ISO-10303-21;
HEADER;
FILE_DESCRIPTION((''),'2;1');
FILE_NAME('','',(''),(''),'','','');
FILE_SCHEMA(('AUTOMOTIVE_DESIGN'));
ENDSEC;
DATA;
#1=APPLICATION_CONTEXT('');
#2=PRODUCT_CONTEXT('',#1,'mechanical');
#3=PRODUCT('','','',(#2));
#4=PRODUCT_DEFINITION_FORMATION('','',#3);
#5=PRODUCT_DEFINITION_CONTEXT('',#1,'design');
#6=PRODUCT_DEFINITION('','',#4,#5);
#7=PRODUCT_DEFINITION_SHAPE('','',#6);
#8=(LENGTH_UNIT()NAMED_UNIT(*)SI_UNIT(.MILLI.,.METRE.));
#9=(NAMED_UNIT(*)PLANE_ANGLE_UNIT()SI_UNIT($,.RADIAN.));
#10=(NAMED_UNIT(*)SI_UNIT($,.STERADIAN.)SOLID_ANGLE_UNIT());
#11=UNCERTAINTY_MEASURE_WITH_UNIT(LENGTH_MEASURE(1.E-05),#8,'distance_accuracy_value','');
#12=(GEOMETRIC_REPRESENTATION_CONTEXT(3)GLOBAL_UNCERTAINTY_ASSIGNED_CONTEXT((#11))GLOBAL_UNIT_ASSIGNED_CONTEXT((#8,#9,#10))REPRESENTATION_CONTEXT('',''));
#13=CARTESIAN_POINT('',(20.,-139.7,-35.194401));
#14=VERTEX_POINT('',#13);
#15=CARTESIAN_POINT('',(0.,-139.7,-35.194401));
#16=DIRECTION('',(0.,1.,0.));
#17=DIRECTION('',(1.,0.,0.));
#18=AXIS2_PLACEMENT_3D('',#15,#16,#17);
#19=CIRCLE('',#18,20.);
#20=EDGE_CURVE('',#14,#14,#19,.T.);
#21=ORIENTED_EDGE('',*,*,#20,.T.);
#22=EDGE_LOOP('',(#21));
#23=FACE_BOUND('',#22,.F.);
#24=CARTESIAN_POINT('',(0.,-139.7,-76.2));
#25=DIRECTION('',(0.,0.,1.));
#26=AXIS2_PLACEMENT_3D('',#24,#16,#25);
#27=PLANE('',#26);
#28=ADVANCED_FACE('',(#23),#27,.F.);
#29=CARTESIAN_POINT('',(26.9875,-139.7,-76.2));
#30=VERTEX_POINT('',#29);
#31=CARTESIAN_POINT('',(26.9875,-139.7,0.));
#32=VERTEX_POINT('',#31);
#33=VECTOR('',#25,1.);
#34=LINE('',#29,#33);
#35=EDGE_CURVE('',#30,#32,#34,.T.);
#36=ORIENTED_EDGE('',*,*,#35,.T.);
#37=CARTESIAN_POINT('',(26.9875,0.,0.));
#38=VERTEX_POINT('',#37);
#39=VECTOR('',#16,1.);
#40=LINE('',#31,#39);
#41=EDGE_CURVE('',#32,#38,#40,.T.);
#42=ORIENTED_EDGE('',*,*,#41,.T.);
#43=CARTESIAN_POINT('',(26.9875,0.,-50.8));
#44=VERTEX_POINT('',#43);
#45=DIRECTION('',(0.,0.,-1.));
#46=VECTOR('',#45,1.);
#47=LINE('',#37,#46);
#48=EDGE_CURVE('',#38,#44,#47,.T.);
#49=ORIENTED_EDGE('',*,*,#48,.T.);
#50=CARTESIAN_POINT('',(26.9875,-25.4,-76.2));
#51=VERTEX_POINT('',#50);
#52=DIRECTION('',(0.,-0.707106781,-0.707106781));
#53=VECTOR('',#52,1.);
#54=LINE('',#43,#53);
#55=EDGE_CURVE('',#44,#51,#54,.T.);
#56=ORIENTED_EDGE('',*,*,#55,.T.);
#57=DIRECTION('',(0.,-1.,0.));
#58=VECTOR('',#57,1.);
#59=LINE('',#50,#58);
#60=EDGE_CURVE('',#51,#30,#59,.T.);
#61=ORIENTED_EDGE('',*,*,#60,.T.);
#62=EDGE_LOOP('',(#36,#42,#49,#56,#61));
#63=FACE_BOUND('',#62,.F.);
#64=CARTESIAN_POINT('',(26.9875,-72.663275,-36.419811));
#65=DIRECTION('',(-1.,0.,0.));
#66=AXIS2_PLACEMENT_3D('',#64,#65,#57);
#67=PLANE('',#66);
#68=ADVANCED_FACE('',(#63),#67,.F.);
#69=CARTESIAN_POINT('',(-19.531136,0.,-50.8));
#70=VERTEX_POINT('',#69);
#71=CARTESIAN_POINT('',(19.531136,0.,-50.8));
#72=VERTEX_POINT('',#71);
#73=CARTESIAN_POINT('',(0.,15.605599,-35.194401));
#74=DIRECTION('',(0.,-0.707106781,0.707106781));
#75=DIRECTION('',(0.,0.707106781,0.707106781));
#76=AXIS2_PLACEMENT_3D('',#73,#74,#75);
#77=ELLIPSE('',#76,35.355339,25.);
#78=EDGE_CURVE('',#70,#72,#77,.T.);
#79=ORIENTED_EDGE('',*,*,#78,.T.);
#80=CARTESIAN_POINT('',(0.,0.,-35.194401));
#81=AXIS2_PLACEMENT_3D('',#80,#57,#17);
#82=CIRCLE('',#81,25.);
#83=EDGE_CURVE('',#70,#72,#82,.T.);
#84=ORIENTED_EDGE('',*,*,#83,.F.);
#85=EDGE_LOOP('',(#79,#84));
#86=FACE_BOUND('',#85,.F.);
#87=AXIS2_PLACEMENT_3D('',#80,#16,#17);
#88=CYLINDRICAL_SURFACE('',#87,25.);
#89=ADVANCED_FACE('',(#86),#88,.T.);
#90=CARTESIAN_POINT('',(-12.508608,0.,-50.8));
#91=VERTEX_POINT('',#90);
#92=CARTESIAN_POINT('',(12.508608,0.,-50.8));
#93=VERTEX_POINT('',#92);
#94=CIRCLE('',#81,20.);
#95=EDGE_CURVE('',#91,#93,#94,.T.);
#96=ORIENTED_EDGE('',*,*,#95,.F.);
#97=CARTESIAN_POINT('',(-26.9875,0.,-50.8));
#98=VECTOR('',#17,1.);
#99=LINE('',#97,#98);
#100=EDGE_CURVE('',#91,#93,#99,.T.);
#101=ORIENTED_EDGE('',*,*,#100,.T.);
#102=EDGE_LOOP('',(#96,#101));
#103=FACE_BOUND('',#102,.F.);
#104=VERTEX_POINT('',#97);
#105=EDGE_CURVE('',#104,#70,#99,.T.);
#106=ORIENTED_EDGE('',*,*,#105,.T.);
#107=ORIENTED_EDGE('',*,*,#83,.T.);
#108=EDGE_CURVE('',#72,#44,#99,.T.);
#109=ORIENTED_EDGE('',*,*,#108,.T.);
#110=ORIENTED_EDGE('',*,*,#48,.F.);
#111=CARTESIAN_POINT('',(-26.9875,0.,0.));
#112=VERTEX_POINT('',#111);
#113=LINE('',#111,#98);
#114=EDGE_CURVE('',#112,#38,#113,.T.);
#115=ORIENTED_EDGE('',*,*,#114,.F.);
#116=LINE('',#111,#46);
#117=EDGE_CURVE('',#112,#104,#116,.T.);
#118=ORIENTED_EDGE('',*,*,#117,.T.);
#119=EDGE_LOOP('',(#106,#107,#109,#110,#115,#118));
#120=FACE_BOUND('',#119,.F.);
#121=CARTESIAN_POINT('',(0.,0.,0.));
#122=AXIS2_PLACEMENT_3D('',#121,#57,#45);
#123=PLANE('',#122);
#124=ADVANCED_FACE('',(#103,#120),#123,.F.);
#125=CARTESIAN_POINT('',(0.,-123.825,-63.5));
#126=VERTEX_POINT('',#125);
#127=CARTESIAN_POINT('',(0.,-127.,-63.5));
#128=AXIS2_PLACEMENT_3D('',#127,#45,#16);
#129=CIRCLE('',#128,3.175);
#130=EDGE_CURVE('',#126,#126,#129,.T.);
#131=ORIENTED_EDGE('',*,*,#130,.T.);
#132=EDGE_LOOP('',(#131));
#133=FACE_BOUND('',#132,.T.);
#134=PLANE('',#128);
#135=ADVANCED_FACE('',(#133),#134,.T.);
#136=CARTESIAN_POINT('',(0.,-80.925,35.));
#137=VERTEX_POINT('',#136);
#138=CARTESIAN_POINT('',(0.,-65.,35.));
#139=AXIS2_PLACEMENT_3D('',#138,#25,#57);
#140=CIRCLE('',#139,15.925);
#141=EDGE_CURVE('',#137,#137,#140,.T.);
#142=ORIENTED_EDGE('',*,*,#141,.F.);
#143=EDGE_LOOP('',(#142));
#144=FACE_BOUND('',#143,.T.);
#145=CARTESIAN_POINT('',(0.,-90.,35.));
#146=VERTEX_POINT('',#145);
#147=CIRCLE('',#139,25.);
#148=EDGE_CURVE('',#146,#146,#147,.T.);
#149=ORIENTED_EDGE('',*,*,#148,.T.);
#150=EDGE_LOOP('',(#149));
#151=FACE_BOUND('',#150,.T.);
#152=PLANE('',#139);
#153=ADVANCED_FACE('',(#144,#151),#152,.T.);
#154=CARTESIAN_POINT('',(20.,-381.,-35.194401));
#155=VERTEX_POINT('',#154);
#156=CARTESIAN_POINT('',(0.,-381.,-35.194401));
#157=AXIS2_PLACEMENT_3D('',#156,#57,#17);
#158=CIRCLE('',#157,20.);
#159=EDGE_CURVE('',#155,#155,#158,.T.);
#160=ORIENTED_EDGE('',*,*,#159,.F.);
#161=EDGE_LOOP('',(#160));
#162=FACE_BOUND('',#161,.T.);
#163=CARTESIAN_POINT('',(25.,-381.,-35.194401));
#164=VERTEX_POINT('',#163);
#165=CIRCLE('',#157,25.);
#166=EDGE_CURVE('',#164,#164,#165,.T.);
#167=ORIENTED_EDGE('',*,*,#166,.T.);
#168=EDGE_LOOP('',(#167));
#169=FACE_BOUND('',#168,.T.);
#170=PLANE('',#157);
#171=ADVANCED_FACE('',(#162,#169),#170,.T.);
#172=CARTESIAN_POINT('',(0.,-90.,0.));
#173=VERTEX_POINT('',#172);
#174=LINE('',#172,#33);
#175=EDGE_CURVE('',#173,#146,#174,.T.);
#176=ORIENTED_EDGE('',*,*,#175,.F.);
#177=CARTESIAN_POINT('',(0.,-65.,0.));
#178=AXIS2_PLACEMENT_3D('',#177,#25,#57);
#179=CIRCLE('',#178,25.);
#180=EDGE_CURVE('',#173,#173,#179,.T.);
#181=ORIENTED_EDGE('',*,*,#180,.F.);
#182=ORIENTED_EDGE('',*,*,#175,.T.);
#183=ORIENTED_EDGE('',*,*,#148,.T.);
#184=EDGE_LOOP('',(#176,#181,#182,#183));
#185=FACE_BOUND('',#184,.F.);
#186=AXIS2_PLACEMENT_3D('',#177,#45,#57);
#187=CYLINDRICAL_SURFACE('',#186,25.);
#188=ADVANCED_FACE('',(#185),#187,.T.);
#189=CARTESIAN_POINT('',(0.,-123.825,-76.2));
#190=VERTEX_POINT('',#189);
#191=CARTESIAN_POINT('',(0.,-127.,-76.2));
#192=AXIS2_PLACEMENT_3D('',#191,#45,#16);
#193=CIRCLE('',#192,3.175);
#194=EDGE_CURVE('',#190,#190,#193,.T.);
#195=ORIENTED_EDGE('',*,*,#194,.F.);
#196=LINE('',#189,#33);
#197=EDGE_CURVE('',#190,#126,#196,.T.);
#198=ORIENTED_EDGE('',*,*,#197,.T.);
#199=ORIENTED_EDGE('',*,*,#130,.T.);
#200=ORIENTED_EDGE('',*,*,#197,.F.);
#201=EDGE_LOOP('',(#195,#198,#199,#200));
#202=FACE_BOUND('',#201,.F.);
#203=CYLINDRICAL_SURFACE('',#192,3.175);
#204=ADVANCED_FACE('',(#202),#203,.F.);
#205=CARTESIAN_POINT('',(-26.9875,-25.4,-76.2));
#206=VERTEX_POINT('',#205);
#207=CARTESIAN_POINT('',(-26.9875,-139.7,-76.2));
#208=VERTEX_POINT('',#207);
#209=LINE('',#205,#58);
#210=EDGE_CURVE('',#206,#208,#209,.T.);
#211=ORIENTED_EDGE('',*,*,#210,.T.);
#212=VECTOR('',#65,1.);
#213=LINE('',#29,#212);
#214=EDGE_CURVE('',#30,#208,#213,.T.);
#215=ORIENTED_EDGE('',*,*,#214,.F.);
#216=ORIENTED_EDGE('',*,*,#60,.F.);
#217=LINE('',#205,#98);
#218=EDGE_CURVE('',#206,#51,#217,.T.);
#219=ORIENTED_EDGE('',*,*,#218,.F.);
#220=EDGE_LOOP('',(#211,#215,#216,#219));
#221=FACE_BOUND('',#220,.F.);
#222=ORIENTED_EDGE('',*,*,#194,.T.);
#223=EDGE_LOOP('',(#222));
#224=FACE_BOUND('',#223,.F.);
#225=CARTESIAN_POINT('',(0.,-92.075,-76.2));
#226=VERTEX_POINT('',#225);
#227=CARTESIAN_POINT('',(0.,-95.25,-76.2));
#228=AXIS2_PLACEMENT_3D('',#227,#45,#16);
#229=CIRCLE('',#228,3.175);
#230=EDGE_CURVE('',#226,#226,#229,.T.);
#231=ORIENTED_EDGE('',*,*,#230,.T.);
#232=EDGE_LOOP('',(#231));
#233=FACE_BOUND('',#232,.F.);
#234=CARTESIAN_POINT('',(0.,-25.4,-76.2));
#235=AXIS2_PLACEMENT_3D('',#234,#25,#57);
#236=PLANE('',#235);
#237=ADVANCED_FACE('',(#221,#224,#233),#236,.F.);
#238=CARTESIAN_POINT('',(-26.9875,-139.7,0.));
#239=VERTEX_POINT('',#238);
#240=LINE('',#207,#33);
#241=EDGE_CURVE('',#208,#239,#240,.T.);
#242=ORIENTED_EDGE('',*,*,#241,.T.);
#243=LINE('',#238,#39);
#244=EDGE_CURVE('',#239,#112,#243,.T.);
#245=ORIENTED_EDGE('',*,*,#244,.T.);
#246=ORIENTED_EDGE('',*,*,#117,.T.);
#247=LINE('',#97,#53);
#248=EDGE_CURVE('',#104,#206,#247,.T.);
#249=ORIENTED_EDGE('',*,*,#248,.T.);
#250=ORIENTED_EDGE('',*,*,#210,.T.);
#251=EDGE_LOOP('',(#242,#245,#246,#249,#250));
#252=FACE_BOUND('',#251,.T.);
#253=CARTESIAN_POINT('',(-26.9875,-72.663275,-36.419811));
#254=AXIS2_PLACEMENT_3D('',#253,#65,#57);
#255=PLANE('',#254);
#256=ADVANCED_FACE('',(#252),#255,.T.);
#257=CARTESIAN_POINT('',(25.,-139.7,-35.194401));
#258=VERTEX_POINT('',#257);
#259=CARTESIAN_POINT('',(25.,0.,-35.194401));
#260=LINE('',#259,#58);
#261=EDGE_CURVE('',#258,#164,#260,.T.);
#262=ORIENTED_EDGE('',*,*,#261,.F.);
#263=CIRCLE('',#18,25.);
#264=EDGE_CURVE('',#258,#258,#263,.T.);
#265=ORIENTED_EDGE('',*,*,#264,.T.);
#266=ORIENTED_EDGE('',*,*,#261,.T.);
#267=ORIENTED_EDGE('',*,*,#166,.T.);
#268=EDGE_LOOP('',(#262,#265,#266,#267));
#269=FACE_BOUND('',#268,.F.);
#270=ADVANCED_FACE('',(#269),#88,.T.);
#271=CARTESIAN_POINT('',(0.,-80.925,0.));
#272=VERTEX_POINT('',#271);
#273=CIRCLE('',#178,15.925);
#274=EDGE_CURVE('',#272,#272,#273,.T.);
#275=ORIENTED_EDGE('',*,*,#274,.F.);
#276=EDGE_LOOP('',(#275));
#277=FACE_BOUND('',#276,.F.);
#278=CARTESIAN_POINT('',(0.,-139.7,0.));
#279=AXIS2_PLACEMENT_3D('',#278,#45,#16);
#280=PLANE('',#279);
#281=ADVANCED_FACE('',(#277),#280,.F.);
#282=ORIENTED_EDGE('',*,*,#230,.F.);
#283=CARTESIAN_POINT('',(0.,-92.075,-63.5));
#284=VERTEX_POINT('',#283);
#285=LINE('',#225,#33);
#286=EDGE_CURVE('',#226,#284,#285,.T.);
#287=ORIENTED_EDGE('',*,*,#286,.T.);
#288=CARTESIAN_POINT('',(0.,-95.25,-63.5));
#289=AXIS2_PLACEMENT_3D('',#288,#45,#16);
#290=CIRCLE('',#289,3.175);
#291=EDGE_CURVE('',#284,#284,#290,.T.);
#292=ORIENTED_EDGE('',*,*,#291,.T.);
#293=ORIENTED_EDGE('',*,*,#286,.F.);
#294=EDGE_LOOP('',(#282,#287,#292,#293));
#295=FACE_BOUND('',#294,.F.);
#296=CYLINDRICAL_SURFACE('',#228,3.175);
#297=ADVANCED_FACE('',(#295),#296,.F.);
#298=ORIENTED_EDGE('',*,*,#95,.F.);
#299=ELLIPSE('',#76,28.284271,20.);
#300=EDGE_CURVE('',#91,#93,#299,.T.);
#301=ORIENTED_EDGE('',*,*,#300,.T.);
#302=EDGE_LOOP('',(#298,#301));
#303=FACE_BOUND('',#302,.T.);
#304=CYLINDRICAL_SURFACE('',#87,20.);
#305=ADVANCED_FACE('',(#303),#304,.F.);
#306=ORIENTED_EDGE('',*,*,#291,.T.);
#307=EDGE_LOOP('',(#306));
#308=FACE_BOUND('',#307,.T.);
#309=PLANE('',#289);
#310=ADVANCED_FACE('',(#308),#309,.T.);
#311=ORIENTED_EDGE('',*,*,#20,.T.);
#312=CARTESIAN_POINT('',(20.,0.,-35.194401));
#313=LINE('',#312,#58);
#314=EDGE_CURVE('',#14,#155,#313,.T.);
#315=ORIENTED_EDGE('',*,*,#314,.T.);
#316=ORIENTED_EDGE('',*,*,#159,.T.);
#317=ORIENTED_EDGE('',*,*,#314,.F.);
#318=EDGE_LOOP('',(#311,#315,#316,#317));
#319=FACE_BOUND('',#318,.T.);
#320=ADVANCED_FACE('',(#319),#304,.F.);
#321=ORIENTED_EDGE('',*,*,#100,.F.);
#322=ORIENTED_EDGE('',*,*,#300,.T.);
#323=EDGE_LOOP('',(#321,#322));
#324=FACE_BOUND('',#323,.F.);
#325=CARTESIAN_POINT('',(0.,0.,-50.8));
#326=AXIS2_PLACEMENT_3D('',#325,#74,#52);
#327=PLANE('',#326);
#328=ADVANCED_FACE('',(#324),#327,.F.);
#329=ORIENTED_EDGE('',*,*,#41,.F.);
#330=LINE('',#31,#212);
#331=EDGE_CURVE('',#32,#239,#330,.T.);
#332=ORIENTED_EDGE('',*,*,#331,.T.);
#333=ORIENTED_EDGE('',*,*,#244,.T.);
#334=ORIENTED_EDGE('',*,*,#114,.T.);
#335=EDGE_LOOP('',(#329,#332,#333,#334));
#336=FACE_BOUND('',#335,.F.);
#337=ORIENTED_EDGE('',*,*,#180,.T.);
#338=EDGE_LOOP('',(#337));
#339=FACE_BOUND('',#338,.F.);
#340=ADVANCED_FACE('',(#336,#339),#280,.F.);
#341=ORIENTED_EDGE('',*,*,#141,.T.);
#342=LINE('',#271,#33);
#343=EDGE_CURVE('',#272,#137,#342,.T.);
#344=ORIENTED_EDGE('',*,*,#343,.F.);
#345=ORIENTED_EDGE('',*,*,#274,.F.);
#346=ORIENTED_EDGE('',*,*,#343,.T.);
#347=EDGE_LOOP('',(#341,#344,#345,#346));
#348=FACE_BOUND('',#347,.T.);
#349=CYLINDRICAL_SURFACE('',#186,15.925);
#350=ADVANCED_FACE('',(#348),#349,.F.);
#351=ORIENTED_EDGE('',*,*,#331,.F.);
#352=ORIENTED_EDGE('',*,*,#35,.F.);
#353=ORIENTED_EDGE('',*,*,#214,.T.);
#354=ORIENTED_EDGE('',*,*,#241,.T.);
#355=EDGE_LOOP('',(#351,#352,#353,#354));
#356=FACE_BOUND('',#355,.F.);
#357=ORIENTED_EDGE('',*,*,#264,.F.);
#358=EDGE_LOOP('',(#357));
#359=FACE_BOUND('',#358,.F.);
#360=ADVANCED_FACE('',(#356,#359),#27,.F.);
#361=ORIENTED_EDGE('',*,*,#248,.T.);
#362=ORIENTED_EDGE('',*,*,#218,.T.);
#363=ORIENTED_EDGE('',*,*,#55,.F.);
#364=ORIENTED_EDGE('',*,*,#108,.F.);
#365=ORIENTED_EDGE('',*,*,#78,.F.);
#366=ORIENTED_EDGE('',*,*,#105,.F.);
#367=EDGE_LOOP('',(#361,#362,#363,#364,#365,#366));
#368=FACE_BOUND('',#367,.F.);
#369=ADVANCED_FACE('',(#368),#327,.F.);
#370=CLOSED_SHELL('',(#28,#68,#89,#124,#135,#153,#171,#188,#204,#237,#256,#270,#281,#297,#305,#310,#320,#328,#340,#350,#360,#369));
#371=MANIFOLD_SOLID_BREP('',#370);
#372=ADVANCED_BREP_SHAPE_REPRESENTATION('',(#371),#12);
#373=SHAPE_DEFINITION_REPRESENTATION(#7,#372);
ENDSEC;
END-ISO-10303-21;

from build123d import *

# Parameters (mm, degrees)
PAD_DEPTH     = 26.9875
SKETCH001_R   = 25
SKETCH001_R_2 = 15.925
PAD001_DEPTH  = 35
SKETCH002_R   = 25
SKETCH002_R_2 = 20
PAD002_DEPTH  = 381
SKETCH003_R   = 3.175
POCKET_DEPTH  = 12.7


with BuildPart() as part:
    # Sketch → Pad (new body, symmetric)
    with BuildSketch(Plane.YZ):
        Polygon((-25.4, -76.2), (-139.7, -76.2), (-139.7, 0), (0, 0), (0, -50.8), align=None)
    extrude(amount=PAD_DEPTH, both=True)

    # Sketch001 (on Face3 of Pad) → Pad001 (join)
    with BuildSketch(Plane(origin=(0, 0, 0), x_dir=(0, -1, 0), z_dir=(0, 0, 1))):
        with Locations((65, 0)):
            Circle(SKETCH001_R)
        with Locations((65, 0)):
            Circle(SKETCH001_R_2, mode=Mode.SUBTRACT)
    extrude(amount=PAD001_DEPTH)

    # Sketch002 → Pad002 (join)
    with BuildSketch(Plane.XZ):
        with Locations((0, -35.194401)):
            Circle(SKETCH002_R)
        with Locations((0, -35.194401)):
            Circle(SKETCH002_R_2, mode=Mode.SUBTRACT)
    extrude(amount=PAD002_DEPTH)

    # Sketch003 (on Face1 of Pad002) → Pocket (cut)
    with BuildSketch(Plane.YX.offset(76.2)):
        with Locations((-127, 0)):
            Circle(SKETCH003_R)
        with Locations((-95.25, 0)):
            Circle(SKETCH003_R)
    extrude(amount=-POCKET_DEPTH, mode=Mode.SUBTRACT)


solid = part.part
